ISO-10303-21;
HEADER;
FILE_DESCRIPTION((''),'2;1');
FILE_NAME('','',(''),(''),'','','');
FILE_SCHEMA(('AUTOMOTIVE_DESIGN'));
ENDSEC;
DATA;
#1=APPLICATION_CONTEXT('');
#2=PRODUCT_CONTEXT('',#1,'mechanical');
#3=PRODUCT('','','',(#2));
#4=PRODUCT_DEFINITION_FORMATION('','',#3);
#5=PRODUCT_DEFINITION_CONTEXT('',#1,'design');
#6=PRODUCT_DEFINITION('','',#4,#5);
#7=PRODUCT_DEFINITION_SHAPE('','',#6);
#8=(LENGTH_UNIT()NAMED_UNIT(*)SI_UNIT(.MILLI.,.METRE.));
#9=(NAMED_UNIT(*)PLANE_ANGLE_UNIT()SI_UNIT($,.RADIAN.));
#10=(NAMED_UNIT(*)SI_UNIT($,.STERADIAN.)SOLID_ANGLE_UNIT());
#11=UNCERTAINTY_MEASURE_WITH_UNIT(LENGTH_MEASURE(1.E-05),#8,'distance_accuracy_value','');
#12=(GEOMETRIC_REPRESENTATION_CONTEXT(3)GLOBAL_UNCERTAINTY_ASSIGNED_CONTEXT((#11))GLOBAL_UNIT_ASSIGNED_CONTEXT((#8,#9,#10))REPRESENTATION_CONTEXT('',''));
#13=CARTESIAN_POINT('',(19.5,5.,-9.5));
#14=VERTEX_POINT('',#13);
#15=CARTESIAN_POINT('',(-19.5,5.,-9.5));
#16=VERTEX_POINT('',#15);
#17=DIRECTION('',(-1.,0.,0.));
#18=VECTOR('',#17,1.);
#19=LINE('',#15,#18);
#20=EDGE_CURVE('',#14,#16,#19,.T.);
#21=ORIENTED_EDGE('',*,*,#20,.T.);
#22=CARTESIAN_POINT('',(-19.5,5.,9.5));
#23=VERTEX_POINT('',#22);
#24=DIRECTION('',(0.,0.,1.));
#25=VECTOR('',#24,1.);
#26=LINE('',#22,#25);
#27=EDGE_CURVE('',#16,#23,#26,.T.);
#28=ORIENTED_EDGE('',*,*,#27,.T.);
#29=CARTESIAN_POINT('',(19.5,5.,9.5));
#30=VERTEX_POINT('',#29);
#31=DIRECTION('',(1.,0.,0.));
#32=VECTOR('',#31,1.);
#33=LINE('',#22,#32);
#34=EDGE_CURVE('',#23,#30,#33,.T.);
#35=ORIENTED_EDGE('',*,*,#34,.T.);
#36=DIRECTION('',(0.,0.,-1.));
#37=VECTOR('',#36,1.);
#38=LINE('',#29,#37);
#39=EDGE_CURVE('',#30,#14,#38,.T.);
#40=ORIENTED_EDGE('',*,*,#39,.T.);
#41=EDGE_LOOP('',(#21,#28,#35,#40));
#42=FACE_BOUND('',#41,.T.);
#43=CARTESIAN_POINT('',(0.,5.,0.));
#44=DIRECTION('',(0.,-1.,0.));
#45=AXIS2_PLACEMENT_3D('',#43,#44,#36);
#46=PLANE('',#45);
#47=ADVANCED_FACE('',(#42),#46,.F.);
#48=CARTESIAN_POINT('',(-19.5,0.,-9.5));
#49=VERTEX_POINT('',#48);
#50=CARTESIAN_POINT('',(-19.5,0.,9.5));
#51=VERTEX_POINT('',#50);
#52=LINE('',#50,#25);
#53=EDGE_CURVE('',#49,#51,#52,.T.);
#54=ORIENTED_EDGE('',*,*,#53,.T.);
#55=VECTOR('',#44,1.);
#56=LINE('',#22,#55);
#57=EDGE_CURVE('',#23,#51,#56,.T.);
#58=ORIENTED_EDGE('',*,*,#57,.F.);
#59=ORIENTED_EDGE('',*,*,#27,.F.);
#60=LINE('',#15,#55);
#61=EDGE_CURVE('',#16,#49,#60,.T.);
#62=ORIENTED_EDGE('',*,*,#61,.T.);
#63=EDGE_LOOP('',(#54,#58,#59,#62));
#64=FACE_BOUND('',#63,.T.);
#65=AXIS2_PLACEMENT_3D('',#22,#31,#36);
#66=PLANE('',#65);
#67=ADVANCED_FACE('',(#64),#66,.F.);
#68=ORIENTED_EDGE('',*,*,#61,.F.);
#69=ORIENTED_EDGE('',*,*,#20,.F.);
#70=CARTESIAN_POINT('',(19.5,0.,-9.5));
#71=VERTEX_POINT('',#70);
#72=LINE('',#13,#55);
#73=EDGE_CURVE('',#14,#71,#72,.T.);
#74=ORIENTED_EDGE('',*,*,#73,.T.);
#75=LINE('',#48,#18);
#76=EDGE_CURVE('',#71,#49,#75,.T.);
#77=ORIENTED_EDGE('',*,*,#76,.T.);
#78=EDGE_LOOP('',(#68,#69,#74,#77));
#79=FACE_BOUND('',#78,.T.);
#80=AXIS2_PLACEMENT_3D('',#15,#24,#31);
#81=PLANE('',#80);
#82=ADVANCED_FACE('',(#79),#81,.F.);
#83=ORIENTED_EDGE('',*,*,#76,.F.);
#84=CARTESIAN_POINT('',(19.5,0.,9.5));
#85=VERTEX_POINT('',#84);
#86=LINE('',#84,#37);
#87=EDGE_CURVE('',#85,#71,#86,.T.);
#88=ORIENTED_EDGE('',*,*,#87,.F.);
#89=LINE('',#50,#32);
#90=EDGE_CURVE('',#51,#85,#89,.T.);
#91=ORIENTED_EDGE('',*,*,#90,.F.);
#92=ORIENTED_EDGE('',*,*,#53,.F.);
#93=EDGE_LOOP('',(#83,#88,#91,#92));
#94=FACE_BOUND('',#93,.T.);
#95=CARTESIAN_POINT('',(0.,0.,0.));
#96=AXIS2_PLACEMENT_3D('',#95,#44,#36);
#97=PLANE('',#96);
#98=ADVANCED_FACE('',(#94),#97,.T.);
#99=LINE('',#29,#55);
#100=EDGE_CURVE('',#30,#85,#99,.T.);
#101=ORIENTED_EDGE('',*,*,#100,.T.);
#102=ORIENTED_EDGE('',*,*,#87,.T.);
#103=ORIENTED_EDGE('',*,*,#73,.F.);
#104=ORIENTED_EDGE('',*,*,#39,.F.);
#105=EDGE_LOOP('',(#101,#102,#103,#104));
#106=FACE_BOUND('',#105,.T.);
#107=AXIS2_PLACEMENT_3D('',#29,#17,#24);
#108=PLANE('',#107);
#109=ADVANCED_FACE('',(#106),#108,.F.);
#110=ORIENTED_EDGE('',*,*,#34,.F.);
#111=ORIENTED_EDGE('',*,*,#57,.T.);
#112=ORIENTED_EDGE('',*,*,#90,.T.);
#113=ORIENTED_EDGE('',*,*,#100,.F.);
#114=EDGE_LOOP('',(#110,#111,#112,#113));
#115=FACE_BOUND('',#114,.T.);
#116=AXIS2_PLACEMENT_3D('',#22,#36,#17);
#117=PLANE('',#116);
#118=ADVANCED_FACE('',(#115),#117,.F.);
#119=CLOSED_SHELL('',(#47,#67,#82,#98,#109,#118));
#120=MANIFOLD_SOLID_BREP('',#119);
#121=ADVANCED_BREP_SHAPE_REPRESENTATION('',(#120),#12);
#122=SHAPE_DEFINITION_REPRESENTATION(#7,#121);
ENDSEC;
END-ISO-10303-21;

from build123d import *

# Parameters (mm, degrees)
SKETCH1_W           = 39
SKETCH1_H           = 19
BOSS_EXTRUDE1_DEPTH = 5


with BuildPart() as part:
    # Sketch1 → Boss-Extrude1 (new body)
    with BuildSketch(Plane(origin=(0, 0, 0), x_dir=(1, 0, 0), z_dir=(0, 1, 0))):
        Rectangle(SKETCH1_W, SKETCH1_H)
    extrude(amount=BOSS_EXTRUDE1_DEPTH)


solid = part.part
